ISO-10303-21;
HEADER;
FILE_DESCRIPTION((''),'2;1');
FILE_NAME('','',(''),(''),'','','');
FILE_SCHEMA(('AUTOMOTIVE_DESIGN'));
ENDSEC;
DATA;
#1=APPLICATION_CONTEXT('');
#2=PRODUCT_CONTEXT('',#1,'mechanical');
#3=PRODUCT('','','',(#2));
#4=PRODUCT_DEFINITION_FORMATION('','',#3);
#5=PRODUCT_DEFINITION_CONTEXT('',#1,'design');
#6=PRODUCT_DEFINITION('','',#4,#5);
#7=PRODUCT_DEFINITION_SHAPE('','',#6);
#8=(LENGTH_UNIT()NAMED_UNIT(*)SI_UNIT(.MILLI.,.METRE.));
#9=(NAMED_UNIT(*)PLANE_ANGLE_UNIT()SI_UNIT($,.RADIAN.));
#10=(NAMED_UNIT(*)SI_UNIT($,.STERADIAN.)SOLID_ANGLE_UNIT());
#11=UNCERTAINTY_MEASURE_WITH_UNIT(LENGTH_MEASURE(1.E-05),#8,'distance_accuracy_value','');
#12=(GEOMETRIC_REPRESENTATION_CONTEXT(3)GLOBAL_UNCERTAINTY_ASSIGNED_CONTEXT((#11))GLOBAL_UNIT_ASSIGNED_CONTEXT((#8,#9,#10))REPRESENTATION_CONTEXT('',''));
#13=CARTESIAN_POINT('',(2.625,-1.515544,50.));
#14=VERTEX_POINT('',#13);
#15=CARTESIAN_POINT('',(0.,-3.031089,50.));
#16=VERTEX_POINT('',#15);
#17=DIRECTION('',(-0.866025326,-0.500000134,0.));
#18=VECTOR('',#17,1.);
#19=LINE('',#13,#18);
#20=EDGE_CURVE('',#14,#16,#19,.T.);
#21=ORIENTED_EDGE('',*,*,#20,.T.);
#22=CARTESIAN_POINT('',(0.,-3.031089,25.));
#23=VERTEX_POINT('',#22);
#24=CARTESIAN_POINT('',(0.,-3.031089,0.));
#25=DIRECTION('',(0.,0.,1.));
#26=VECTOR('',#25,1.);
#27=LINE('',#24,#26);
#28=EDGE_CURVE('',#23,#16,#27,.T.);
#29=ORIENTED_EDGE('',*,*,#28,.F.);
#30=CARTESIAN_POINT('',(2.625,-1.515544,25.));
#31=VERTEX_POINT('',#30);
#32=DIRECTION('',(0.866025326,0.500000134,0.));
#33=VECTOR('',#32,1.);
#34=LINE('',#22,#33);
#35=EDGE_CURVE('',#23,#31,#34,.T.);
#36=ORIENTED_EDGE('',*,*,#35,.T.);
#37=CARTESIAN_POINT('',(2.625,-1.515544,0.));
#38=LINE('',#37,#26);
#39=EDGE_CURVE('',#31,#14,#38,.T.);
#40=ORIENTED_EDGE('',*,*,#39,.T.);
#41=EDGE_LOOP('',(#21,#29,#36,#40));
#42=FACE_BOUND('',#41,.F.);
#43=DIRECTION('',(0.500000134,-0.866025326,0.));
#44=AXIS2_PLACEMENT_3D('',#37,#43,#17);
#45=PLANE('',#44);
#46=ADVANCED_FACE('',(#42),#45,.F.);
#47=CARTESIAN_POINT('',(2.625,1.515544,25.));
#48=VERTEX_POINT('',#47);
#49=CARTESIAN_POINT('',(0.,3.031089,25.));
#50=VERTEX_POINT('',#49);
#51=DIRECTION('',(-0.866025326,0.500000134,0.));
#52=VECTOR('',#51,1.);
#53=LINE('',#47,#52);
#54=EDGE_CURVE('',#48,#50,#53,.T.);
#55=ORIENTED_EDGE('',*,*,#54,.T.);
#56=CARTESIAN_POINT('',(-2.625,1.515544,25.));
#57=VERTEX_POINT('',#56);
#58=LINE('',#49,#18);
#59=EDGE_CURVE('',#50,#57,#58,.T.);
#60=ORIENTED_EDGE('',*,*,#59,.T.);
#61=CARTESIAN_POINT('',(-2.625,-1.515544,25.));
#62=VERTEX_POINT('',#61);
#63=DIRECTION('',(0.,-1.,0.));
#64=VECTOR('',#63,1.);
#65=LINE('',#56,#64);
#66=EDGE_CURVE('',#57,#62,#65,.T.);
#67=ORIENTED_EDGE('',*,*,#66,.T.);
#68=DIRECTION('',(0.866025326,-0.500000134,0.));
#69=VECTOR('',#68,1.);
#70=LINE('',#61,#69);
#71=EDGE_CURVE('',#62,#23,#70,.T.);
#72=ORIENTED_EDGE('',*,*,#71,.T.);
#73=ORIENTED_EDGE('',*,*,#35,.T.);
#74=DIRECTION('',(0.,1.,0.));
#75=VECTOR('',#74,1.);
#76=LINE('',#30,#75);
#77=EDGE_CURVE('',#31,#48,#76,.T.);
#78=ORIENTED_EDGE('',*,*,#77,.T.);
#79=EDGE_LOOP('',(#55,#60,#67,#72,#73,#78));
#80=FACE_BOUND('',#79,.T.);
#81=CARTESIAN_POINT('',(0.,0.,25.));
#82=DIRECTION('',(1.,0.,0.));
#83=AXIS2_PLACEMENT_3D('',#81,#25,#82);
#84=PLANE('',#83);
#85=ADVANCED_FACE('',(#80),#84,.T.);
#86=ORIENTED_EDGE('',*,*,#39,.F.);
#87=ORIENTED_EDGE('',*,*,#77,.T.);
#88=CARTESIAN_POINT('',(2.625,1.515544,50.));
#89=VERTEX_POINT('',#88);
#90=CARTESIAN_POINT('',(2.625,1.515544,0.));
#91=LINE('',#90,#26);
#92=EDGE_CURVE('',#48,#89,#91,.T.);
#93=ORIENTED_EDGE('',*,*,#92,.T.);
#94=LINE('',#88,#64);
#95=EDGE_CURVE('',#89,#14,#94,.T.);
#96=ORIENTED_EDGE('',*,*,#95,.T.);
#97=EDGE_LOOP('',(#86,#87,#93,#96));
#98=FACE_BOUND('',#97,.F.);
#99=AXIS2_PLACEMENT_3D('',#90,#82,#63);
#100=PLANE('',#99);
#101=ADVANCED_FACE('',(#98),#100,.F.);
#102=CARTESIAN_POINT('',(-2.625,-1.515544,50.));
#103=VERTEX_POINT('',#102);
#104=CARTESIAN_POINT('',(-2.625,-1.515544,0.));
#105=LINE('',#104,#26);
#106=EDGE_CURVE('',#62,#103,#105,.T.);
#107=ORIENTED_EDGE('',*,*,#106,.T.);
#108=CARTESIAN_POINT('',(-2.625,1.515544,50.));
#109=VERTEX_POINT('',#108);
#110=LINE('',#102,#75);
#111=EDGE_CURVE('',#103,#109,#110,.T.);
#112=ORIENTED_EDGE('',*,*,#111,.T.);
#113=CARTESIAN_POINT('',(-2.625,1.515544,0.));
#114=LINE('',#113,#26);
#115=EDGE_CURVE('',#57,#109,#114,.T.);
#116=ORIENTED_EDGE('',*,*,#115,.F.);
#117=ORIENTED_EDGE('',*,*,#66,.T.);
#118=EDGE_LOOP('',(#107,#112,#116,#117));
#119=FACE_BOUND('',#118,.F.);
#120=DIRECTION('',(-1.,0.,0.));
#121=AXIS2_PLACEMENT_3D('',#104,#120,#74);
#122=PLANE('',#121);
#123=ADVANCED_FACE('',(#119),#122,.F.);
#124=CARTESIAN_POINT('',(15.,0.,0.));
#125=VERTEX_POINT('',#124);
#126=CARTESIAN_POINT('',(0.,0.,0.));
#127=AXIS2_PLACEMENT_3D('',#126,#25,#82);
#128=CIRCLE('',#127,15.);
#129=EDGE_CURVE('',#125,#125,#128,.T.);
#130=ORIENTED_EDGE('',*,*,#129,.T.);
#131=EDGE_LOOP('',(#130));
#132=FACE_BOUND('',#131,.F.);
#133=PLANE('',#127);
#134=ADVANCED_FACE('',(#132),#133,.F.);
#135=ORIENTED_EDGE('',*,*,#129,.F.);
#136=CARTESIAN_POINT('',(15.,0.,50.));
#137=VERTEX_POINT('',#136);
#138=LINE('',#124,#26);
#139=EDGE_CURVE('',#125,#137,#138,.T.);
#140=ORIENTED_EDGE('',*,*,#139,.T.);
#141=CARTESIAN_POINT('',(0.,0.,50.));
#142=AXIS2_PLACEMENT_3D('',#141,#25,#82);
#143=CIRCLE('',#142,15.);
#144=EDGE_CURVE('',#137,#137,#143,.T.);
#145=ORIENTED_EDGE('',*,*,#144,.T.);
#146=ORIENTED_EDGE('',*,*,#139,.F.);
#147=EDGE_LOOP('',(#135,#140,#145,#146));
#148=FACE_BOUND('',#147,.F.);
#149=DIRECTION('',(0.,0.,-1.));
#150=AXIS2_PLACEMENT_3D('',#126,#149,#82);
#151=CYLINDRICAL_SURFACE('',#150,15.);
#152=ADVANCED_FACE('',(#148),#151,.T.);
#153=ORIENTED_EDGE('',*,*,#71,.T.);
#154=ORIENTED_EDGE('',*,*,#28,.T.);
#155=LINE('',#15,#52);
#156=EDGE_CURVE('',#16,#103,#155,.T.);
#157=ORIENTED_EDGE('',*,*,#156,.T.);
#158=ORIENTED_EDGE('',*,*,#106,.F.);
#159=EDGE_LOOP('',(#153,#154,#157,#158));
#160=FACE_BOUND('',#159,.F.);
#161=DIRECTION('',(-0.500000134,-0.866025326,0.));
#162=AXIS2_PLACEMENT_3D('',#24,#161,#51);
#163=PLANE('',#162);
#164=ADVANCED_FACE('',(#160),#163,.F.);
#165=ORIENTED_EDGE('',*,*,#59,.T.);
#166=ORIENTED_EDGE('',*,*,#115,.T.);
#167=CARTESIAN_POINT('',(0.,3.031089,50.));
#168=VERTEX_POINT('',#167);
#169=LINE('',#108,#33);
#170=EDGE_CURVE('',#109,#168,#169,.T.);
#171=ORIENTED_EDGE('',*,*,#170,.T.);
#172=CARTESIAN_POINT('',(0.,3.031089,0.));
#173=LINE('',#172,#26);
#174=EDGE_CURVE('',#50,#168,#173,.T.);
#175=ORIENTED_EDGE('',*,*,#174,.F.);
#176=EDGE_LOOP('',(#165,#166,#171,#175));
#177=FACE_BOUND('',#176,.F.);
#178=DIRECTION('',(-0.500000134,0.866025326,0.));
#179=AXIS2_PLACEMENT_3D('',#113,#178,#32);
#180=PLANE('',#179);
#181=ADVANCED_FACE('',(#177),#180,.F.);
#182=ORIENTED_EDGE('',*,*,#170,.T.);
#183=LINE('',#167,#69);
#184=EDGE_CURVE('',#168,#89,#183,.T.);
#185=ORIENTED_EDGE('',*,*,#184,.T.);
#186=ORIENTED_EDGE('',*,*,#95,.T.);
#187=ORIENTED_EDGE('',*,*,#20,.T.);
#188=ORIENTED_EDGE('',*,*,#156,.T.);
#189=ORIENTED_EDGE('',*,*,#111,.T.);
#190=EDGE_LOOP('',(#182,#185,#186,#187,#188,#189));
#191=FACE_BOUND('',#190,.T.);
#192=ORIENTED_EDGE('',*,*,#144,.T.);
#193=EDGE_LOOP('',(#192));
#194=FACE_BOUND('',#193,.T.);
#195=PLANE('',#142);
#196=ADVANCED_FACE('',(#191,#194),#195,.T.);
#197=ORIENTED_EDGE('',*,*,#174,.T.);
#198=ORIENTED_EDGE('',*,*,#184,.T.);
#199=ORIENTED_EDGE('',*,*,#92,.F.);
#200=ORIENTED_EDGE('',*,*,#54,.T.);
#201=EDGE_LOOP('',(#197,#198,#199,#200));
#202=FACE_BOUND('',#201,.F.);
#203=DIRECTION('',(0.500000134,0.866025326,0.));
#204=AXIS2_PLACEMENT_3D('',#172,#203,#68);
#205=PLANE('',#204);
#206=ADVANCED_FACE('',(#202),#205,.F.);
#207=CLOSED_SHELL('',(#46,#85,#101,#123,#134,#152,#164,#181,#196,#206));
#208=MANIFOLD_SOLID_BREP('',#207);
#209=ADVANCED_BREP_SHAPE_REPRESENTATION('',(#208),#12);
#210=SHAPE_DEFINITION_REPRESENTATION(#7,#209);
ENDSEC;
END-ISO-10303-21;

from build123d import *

# Parameters (mm, degrees)
F0_R     = 15
F1_DEPTH = 50
F2_DEPTH = 25


with BuildPart() as f1:
    # F0 (on Top) → F1 (new body)
    with BuildSketch(Plane.XY):
        Circle(F0_R)
        Polygon((0, 3.031089), (2.625, 1.515544), (2.625, -1.515544), (0, -3.031089), (-2.625, -1.515544), (-2.625, 1.515544), align=None, mode=Mode.SUBTRACT)
    extrude(amount=F1_DEPTH)

    # F0 (on Top) → F2 (join)
    with BuildSketch(Plane.XY):
        Polygon((2.625, -1.515544), (2.625, 1.515544), (0, 3.031089), (-2.625, 1.515544), (-2.625, -1.515544), (0, -3.031089), align=None)
    extrude(amount=F2_DEPTH)


solid = f1.part
